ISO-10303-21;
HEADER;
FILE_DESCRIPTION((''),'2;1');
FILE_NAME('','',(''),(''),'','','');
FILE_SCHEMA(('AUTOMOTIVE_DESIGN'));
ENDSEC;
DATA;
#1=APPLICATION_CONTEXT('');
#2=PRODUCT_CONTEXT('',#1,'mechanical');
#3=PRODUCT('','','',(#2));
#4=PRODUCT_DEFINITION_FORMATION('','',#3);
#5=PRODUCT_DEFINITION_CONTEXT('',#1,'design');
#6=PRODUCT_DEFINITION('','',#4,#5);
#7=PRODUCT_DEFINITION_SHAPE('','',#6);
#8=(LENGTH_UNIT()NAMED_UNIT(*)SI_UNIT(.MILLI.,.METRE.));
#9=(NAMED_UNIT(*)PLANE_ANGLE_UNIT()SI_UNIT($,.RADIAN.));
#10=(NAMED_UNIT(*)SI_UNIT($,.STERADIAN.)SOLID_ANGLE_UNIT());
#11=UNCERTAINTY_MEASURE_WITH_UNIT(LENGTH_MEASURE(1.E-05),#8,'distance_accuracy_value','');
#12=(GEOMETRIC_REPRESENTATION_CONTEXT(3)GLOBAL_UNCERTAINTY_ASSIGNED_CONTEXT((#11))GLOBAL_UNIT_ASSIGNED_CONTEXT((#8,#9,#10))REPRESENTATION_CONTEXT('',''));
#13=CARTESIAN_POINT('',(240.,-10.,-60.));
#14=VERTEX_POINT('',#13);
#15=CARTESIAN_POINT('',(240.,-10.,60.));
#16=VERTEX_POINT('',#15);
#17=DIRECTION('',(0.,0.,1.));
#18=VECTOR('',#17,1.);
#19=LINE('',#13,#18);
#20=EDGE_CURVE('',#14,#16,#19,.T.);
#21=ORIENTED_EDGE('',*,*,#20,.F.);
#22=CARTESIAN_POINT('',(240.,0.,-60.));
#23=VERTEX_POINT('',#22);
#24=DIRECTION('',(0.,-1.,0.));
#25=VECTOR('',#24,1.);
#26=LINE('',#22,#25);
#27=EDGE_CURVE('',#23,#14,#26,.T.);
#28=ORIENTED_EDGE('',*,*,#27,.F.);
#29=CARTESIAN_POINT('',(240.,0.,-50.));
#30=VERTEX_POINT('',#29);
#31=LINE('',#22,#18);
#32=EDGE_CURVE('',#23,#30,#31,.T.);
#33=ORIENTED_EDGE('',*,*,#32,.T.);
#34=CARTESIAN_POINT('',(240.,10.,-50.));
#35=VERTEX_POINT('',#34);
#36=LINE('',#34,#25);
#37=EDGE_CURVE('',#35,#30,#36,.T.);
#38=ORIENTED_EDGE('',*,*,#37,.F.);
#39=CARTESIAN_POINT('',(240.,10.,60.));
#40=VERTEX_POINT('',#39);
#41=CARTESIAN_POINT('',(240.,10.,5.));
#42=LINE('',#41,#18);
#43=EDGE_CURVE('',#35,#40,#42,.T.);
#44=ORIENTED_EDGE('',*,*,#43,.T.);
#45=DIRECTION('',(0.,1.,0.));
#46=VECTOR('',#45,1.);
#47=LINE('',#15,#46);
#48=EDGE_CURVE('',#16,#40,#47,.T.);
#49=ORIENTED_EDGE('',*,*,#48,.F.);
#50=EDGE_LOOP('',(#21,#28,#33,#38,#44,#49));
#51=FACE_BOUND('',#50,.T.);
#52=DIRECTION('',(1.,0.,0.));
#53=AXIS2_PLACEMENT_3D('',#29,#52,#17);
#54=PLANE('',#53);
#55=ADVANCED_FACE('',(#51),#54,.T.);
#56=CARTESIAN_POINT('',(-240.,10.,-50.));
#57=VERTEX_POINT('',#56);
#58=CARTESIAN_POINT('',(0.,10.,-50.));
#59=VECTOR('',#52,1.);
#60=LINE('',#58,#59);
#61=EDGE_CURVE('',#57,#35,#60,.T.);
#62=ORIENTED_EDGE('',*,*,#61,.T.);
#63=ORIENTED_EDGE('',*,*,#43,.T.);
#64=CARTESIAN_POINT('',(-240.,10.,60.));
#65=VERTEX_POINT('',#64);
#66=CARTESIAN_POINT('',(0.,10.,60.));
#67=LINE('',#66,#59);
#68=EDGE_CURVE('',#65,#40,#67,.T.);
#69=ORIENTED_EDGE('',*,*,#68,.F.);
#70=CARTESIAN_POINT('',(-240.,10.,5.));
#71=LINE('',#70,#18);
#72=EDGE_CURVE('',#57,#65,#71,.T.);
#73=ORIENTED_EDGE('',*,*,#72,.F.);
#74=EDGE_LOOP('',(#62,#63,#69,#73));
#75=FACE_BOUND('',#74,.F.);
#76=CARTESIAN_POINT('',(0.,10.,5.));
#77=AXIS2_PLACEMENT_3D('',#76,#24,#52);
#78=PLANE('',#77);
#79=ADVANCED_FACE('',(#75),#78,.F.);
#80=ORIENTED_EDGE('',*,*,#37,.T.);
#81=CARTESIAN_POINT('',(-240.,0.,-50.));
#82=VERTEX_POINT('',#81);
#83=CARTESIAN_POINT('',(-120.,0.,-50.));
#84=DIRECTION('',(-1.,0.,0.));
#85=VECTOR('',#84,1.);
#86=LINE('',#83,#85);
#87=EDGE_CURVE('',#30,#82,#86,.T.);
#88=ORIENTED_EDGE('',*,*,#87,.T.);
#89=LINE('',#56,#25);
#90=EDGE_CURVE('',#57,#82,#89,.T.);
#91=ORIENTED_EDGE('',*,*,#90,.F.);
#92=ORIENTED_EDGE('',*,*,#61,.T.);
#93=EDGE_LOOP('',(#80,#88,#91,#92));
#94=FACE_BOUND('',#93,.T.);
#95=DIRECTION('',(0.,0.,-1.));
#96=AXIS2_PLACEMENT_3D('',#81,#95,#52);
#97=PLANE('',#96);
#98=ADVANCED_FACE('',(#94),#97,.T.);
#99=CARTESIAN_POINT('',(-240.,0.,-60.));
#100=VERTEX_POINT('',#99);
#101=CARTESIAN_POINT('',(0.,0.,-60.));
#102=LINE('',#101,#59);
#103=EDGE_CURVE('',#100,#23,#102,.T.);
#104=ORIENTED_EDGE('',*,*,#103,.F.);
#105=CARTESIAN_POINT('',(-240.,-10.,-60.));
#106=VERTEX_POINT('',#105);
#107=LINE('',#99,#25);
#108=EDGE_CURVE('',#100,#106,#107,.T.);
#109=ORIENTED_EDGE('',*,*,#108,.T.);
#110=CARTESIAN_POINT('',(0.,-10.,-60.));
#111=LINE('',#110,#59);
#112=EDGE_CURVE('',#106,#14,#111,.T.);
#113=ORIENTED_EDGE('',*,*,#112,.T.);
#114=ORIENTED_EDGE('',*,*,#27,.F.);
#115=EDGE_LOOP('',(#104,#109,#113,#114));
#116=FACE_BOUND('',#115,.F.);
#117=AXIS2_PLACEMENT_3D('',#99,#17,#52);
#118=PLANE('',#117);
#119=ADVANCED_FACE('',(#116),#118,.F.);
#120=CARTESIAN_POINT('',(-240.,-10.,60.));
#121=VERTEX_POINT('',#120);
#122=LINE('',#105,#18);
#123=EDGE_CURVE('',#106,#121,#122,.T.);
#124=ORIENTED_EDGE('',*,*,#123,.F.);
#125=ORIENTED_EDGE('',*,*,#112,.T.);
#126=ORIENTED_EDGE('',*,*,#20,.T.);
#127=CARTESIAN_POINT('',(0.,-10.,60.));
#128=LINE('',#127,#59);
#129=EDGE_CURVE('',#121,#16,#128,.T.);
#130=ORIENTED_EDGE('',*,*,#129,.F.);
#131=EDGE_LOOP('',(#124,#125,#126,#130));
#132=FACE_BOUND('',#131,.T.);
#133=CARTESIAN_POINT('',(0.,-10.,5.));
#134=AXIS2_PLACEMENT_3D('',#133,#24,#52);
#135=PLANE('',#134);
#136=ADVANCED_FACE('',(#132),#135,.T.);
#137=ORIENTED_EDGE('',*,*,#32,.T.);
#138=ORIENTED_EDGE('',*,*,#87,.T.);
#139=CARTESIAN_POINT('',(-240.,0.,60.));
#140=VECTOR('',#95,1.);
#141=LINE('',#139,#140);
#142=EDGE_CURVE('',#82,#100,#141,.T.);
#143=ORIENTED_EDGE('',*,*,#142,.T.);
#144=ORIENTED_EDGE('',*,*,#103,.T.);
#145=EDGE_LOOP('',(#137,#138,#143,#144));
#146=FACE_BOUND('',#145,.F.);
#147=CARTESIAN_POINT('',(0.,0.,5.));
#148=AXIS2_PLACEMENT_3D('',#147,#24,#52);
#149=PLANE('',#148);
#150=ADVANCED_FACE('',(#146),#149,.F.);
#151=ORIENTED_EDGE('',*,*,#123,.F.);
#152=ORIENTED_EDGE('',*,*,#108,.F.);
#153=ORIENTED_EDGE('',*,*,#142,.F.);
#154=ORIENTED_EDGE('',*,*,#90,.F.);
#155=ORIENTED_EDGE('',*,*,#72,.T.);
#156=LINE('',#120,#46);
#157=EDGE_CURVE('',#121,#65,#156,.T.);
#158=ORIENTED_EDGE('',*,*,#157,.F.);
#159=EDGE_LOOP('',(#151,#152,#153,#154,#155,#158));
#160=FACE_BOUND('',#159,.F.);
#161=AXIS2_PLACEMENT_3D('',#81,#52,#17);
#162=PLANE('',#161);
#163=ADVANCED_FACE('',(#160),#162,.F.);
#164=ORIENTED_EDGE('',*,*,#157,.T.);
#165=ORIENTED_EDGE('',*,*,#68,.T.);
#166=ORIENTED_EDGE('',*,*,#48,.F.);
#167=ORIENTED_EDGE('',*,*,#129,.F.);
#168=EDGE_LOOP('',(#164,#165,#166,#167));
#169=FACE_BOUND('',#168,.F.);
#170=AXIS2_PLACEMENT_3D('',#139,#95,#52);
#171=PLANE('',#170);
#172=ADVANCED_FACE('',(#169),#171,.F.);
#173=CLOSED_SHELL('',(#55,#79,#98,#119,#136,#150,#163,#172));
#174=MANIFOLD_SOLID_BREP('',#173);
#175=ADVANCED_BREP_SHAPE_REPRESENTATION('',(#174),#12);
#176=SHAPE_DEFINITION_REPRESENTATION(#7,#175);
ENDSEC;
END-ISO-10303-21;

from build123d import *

# Parameters (mm, degrees)
F0_W     = 480
F0_H     = 110
F1_DEPTH = 10
F0_H_2   = 10
F2_DEPTH = 10


with BuildPart() as f1:
    # F0 (on Front) → F1 (new body, symmetric)
    with BuildSketch(Plane.XZ):
        with Locations((0, 5)):
            Rectangle(F0_W, F0_H)
    extrude(amount=F1_DEPTH, both=True)

    # F0 (on Front) → F2 (join)
    with BuildSketch(Plane.XZ):
        with Locations((0, 5)):
            Rectangle(F0_W, F0_H)
        with Locations((0, -55)):
            Rectangle(F0_W, F0_H_2)
    extrude(amount=F2_DEPTH)


solid = f1.part
